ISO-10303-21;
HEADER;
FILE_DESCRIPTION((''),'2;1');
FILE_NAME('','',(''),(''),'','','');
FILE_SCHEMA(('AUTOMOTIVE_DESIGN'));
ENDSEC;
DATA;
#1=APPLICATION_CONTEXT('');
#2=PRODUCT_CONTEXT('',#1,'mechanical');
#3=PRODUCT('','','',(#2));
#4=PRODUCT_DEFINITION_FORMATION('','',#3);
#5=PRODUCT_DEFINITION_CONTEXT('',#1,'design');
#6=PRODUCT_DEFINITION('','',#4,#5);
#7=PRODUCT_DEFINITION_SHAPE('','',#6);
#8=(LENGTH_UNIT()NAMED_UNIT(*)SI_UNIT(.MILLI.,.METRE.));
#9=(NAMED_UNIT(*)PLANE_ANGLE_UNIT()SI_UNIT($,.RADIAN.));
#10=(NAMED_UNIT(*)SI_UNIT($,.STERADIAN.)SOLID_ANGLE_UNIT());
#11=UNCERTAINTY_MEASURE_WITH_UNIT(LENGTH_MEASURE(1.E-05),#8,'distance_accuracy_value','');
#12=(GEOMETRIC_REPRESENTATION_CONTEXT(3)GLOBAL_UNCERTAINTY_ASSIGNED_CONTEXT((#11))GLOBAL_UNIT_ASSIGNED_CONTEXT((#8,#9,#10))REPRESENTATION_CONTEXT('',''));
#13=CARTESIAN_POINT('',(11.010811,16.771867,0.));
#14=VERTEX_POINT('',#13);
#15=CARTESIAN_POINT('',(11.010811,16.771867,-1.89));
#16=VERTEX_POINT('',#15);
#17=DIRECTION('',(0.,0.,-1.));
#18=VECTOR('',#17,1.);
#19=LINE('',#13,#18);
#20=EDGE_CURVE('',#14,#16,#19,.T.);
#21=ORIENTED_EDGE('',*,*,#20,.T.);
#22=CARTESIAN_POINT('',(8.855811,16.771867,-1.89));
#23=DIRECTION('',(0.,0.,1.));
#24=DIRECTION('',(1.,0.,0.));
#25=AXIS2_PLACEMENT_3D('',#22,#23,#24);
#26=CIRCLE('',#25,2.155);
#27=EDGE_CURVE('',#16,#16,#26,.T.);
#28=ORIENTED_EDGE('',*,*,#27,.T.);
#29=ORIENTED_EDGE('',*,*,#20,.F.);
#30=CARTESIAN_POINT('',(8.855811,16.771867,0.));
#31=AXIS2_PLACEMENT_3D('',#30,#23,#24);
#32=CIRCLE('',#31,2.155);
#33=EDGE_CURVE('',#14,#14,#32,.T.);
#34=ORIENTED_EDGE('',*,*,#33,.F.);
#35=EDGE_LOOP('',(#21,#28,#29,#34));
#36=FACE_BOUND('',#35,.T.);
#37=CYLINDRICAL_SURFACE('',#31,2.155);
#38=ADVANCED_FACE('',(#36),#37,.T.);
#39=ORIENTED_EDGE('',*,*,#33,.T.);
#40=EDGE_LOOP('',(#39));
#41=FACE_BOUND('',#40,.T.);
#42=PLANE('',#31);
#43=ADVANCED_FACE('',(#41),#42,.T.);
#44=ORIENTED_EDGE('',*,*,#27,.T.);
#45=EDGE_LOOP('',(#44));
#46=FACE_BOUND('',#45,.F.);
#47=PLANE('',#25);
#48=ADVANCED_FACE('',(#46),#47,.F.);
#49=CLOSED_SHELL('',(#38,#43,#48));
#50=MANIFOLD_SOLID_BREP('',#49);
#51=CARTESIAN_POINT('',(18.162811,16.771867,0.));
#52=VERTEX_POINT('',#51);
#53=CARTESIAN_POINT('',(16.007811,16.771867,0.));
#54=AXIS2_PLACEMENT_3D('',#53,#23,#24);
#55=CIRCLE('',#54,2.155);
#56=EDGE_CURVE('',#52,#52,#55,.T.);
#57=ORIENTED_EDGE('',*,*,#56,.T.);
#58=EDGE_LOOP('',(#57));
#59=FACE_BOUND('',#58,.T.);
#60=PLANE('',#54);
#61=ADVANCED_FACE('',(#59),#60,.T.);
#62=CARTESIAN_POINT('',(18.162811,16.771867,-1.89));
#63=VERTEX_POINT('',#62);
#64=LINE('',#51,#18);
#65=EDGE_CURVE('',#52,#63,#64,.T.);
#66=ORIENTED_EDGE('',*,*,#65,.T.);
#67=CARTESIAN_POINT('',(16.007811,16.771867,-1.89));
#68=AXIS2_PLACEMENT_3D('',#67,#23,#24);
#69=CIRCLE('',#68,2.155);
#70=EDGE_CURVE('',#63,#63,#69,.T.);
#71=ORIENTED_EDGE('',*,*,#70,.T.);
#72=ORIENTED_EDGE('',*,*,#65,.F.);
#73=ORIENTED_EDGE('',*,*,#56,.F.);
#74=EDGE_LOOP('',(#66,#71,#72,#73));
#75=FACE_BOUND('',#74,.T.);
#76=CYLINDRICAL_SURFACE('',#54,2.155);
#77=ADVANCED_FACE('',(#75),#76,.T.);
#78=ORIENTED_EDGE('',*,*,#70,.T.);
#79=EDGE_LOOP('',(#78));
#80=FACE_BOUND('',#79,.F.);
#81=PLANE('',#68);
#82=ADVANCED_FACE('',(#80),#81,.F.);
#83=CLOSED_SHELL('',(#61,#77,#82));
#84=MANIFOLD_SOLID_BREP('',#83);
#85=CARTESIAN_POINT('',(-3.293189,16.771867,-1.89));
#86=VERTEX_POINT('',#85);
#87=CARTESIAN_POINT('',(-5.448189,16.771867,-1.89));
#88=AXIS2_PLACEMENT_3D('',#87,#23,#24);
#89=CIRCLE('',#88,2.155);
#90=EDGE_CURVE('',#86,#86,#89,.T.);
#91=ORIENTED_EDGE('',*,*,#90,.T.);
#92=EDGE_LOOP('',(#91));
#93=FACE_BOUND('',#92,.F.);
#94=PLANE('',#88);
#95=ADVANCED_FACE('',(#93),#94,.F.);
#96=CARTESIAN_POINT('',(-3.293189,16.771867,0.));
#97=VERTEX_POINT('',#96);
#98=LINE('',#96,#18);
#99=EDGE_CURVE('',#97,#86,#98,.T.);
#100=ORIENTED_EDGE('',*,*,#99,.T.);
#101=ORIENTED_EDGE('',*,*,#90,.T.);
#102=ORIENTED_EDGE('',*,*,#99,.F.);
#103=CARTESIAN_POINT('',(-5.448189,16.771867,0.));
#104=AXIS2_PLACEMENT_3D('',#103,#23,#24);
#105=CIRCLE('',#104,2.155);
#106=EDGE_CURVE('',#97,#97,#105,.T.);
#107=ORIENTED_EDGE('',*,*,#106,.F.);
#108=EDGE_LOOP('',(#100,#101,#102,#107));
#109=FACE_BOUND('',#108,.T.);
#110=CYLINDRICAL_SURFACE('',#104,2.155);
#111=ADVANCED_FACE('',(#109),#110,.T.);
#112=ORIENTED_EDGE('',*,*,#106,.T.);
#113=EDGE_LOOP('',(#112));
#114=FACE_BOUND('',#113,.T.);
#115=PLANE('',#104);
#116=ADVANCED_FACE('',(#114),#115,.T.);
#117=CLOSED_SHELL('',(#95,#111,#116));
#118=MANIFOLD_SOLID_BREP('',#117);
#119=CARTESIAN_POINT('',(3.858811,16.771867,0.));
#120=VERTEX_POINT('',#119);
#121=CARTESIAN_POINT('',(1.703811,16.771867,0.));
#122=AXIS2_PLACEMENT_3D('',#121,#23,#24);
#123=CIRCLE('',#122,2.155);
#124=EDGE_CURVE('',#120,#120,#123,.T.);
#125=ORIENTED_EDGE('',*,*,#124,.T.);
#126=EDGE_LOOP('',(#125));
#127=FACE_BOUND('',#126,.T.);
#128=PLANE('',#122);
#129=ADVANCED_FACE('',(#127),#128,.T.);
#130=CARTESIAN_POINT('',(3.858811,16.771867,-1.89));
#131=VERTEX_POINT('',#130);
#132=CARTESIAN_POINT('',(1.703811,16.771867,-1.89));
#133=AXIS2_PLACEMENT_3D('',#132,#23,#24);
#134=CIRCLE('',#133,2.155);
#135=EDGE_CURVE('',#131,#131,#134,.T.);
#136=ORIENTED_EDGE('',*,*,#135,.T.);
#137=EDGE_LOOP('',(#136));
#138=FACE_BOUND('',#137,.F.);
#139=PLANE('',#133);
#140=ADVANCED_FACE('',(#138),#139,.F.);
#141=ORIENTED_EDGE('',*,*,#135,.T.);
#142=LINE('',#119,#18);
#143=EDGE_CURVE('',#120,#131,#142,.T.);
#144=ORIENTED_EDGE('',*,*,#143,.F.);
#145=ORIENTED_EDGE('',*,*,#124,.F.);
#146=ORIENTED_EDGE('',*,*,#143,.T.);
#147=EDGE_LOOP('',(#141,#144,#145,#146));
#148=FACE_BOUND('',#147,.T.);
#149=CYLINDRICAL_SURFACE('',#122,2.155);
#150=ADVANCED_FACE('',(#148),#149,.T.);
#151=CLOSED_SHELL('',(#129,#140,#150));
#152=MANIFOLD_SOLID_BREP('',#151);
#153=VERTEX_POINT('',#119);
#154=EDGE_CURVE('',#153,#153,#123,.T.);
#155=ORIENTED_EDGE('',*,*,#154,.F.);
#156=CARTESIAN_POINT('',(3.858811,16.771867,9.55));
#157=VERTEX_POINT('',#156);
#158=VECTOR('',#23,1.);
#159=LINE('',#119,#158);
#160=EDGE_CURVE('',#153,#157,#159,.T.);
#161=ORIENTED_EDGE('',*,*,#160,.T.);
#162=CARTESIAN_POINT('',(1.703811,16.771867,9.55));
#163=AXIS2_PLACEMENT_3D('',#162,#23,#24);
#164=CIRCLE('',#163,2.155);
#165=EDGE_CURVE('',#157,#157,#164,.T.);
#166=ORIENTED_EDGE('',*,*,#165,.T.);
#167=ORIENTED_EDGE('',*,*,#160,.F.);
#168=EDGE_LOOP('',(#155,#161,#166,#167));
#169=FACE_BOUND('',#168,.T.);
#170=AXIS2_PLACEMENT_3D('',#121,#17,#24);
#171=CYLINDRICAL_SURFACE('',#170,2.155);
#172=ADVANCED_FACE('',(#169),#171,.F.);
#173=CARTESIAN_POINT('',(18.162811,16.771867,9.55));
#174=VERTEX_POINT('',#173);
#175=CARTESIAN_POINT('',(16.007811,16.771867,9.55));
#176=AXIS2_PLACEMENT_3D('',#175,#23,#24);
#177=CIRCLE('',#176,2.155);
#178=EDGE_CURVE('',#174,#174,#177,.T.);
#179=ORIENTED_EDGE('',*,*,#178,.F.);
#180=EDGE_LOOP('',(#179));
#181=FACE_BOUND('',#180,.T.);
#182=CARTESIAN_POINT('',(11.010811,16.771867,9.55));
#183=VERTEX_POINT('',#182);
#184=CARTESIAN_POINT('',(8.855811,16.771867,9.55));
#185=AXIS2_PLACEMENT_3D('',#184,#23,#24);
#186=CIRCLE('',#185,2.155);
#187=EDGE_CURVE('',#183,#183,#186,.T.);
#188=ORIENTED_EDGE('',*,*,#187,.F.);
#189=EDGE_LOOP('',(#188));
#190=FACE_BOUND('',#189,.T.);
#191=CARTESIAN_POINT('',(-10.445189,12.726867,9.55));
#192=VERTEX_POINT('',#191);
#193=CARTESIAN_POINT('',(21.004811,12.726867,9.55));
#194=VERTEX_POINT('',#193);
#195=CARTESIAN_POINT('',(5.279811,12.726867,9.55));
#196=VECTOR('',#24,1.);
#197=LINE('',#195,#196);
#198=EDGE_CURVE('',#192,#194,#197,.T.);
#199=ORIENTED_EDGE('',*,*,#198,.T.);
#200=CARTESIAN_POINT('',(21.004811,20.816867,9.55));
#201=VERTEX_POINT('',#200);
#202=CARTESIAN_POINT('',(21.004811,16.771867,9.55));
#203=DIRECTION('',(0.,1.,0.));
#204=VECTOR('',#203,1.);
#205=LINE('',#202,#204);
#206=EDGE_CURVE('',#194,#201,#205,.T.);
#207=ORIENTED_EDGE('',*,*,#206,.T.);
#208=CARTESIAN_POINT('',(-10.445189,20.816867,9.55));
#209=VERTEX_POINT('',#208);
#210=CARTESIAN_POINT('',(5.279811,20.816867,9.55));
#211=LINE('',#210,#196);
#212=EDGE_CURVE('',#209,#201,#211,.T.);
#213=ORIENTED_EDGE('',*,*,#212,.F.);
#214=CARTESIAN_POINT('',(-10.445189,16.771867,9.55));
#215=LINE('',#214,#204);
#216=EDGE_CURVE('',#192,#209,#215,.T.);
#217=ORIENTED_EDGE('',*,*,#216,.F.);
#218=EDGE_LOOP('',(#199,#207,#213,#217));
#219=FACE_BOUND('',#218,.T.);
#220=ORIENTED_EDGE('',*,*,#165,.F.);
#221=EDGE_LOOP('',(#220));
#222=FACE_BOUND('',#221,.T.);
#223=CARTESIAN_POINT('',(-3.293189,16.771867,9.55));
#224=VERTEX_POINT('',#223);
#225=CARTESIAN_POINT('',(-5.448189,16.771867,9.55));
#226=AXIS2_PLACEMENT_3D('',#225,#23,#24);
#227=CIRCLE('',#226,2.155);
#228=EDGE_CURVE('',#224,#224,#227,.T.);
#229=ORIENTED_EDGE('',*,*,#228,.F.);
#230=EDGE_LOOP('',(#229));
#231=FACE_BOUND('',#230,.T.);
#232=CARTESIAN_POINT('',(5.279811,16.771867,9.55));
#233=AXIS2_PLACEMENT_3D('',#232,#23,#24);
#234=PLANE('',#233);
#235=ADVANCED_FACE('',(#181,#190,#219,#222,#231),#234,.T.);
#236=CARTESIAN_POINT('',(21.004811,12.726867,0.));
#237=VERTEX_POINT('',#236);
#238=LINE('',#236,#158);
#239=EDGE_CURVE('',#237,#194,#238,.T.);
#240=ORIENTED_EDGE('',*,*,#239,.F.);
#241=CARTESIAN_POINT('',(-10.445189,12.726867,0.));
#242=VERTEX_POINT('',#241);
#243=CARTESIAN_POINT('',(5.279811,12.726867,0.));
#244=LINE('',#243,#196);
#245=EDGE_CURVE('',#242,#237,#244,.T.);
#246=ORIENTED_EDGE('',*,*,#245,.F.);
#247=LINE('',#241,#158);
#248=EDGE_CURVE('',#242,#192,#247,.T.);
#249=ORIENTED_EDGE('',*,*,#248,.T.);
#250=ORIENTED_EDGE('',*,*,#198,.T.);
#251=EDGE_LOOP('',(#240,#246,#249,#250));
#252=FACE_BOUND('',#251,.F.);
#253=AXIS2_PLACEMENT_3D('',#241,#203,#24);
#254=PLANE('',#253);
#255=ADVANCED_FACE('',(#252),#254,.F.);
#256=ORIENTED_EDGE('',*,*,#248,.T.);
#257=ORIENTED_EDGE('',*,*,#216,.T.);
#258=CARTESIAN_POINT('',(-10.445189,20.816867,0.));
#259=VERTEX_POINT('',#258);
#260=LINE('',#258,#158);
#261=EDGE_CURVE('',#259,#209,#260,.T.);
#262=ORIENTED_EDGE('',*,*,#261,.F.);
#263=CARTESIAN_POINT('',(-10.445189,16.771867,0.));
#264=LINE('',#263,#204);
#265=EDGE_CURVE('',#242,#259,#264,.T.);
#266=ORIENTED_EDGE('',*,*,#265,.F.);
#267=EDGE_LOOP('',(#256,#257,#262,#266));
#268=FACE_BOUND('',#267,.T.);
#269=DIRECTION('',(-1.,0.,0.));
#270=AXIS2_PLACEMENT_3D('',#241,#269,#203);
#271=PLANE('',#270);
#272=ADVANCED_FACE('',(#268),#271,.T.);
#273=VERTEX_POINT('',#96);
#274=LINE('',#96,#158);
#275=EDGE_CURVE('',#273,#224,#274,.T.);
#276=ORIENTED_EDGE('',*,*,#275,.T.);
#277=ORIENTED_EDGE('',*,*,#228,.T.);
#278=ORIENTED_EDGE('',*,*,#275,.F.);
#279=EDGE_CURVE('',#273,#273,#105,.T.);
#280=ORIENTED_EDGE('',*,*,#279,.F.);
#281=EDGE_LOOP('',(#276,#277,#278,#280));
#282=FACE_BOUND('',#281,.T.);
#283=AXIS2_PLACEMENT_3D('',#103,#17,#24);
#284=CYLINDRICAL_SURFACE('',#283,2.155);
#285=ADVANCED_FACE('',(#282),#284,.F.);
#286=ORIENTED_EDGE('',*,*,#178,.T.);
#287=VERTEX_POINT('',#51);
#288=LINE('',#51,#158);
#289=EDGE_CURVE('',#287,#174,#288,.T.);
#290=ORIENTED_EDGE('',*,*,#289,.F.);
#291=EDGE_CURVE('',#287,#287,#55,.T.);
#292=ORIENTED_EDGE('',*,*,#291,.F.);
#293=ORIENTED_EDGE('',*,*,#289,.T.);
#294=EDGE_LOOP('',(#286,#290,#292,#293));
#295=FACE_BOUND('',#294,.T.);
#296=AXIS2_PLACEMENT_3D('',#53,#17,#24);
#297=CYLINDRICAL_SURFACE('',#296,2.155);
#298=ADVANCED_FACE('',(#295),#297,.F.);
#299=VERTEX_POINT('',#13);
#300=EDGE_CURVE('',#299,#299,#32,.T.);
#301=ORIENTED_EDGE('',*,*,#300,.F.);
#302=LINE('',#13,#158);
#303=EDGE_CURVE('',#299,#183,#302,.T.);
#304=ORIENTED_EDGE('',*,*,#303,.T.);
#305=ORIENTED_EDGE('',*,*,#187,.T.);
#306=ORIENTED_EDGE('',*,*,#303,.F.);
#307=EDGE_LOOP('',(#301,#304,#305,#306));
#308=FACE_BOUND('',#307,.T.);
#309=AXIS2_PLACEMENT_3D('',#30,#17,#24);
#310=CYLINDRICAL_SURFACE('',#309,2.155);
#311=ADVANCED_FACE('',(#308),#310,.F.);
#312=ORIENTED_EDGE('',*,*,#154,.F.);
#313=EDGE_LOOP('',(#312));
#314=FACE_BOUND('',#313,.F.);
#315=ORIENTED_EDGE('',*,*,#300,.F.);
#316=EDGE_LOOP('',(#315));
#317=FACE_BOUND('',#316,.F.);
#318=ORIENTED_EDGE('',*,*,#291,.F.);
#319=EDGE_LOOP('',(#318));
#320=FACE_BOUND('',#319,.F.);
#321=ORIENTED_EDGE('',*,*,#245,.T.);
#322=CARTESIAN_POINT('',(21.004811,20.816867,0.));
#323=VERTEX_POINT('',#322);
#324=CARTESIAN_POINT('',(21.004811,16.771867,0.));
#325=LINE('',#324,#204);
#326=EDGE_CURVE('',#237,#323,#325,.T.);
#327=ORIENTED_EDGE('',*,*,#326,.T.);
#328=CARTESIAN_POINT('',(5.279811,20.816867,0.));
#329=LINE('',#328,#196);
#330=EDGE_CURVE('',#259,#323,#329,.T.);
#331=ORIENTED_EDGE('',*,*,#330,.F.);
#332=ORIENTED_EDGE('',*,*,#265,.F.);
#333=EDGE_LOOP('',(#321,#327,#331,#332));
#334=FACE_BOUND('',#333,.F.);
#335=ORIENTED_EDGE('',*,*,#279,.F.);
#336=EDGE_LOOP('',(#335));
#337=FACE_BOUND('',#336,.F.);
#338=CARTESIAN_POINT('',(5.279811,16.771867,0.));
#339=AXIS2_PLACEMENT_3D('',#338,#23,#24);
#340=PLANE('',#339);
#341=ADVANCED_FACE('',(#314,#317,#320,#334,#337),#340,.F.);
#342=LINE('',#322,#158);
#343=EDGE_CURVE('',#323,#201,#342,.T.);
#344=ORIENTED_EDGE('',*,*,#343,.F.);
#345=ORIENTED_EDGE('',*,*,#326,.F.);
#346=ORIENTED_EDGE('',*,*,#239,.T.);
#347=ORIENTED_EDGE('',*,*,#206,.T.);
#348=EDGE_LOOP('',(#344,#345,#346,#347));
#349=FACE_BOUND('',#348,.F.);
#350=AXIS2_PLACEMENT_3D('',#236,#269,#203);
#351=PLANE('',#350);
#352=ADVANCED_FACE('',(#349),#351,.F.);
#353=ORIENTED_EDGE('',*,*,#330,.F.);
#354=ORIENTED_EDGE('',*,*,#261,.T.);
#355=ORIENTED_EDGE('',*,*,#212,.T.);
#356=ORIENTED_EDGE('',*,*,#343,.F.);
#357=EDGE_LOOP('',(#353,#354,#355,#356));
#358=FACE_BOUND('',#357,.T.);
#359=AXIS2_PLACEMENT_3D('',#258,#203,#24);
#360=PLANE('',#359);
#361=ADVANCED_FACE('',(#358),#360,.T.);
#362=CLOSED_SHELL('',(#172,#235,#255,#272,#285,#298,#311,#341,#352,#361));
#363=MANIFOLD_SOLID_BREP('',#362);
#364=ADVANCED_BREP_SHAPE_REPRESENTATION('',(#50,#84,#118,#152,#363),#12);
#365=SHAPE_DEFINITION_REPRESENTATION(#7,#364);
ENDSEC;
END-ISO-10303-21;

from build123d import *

# Parameters (mm, degrees)
F0_R     = 2.155
F1_DEPTH = 1.89
F0_W     = 31.45
F0_H     = 8.09
F2_DEPTH = 9.55


with BuildPart() as f1:
    # F0 (on Top) → F1 (new body)
    with BuildSketch(Plane.XY):
        with Locations((1.703811, 16.771867)):
            Circle(F0_R)
        with Locations((8.855811, 16.771867)):
            Circle(F0_R)
        with Locations((16.007811, 16.771867)):
            Circle(F0_R)
        with Locations((-5.448189, 16.771867)):
            Circle(F0_R)
    extrude(amount=-F1_DEPTH)


with BuildPart() as f2:
    # F0 (on Top) → F2 (new body)
    with BuildSketch(Plane.XY):
        with Locations((5.279811, 16.771867)):
            Rectangle(F0_W, F0_H)
        with Locations((-5.448189, 16.771867)):
            Circle(F0_R, mode=Mode.SUBTRACT)
        with Locations((1.703811, 16.771867)):
            Circle(F0_R, mode=Mode.SUBTRACT)
        with Locations((8.855811, 16.771867)):
            Circle(F0_R, mode=Mode.SUBTRACT)
        with Locations((16.007811, 16.771867)):
            Circle(F0_R, mode=Mode.SUBTRACT)
    extrude(amount=F2_DEPTH)


solid = Compound([f1.part, f2.part])
